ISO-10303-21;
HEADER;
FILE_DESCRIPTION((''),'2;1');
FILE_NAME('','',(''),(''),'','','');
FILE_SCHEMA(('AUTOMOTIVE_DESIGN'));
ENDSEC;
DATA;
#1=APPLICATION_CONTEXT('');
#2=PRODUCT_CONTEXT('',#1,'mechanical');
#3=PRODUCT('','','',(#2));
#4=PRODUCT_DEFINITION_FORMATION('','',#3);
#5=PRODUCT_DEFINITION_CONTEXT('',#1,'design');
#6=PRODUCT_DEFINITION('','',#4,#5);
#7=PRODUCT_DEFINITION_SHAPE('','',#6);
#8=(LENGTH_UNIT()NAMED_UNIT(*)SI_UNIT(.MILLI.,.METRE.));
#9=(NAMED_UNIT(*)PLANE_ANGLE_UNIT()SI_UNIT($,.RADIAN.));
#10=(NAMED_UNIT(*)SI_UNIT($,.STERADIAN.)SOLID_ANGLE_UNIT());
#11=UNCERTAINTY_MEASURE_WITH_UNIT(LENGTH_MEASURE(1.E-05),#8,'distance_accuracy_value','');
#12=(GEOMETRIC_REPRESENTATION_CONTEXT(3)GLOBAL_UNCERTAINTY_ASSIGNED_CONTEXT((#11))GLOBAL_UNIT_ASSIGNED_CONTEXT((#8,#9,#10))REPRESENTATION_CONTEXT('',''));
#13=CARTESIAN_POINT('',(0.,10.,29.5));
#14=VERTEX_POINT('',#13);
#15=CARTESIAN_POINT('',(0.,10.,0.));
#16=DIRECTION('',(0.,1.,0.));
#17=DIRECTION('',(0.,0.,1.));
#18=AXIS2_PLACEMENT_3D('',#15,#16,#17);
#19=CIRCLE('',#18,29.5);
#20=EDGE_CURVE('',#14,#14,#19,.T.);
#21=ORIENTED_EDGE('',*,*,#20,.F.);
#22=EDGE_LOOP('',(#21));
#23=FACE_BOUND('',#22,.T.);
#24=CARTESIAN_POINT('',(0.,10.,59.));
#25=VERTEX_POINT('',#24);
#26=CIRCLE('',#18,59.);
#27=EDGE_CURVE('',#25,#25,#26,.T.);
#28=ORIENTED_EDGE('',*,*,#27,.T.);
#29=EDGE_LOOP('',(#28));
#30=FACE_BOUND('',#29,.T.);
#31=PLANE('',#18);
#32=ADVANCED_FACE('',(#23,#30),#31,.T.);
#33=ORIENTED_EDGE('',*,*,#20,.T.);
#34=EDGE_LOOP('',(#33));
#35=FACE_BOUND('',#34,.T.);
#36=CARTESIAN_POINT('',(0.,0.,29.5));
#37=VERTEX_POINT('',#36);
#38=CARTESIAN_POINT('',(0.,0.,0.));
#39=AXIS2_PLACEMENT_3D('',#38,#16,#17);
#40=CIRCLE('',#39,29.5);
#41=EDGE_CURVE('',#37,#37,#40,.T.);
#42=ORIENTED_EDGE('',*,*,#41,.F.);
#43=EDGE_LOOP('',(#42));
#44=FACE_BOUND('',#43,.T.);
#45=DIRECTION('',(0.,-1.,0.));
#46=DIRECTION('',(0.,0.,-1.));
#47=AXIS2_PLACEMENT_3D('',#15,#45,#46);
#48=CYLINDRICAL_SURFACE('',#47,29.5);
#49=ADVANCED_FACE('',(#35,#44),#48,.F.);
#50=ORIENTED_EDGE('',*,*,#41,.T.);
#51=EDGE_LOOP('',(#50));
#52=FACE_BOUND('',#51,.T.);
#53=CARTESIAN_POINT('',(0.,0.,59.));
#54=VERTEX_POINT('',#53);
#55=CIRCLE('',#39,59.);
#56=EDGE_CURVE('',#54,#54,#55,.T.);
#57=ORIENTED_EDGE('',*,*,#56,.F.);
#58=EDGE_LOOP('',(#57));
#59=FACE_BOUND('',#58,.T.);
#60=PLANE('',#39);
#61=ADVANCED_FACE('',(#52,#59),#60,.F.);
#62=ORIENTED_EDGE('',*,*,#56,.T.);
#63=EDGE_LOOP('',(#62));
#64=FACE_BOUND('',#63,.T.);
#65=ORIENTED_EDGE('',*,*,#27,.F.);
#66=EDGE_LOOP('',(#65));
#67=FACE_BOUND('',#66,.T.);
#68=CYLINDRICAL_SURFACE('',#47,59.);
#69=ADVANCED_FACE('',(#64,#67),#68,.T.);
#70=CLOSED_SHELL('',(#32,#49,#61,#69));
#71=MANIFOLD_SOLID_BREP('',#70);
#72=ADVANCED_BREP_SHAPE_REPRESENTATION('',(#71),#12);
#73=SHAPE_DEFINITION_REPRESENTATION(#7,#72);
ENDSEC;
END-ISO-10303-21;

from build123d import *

# Parameters (mm, degrees)
SKETCH_1_R      = 59
SKETCH_1_R_2    = 29.5
EXTRUDE_1_DEPTH = 10


with BuildPart() as part:
    # Эскиз1 → Бобышка-Вытянуть1 (new body)
    with BuildSketch(Plane(origin=(0, 0, 0), x_dir=(1, 0, 0), z_dir=(0, 1, 0))):
        with Locations(Location((0, 0, 0), (0, 0, 270))):
            Circle(SKETCH_1_R)
        with Locations(Location((0, 0, 0), (0, 0, 270))):
            Circle(SKETCH_1_R_2, mode=Mode.SUBTRACT)
    extrude(amount=EXTRUDE_1_DEPTH)


solid = part.part
